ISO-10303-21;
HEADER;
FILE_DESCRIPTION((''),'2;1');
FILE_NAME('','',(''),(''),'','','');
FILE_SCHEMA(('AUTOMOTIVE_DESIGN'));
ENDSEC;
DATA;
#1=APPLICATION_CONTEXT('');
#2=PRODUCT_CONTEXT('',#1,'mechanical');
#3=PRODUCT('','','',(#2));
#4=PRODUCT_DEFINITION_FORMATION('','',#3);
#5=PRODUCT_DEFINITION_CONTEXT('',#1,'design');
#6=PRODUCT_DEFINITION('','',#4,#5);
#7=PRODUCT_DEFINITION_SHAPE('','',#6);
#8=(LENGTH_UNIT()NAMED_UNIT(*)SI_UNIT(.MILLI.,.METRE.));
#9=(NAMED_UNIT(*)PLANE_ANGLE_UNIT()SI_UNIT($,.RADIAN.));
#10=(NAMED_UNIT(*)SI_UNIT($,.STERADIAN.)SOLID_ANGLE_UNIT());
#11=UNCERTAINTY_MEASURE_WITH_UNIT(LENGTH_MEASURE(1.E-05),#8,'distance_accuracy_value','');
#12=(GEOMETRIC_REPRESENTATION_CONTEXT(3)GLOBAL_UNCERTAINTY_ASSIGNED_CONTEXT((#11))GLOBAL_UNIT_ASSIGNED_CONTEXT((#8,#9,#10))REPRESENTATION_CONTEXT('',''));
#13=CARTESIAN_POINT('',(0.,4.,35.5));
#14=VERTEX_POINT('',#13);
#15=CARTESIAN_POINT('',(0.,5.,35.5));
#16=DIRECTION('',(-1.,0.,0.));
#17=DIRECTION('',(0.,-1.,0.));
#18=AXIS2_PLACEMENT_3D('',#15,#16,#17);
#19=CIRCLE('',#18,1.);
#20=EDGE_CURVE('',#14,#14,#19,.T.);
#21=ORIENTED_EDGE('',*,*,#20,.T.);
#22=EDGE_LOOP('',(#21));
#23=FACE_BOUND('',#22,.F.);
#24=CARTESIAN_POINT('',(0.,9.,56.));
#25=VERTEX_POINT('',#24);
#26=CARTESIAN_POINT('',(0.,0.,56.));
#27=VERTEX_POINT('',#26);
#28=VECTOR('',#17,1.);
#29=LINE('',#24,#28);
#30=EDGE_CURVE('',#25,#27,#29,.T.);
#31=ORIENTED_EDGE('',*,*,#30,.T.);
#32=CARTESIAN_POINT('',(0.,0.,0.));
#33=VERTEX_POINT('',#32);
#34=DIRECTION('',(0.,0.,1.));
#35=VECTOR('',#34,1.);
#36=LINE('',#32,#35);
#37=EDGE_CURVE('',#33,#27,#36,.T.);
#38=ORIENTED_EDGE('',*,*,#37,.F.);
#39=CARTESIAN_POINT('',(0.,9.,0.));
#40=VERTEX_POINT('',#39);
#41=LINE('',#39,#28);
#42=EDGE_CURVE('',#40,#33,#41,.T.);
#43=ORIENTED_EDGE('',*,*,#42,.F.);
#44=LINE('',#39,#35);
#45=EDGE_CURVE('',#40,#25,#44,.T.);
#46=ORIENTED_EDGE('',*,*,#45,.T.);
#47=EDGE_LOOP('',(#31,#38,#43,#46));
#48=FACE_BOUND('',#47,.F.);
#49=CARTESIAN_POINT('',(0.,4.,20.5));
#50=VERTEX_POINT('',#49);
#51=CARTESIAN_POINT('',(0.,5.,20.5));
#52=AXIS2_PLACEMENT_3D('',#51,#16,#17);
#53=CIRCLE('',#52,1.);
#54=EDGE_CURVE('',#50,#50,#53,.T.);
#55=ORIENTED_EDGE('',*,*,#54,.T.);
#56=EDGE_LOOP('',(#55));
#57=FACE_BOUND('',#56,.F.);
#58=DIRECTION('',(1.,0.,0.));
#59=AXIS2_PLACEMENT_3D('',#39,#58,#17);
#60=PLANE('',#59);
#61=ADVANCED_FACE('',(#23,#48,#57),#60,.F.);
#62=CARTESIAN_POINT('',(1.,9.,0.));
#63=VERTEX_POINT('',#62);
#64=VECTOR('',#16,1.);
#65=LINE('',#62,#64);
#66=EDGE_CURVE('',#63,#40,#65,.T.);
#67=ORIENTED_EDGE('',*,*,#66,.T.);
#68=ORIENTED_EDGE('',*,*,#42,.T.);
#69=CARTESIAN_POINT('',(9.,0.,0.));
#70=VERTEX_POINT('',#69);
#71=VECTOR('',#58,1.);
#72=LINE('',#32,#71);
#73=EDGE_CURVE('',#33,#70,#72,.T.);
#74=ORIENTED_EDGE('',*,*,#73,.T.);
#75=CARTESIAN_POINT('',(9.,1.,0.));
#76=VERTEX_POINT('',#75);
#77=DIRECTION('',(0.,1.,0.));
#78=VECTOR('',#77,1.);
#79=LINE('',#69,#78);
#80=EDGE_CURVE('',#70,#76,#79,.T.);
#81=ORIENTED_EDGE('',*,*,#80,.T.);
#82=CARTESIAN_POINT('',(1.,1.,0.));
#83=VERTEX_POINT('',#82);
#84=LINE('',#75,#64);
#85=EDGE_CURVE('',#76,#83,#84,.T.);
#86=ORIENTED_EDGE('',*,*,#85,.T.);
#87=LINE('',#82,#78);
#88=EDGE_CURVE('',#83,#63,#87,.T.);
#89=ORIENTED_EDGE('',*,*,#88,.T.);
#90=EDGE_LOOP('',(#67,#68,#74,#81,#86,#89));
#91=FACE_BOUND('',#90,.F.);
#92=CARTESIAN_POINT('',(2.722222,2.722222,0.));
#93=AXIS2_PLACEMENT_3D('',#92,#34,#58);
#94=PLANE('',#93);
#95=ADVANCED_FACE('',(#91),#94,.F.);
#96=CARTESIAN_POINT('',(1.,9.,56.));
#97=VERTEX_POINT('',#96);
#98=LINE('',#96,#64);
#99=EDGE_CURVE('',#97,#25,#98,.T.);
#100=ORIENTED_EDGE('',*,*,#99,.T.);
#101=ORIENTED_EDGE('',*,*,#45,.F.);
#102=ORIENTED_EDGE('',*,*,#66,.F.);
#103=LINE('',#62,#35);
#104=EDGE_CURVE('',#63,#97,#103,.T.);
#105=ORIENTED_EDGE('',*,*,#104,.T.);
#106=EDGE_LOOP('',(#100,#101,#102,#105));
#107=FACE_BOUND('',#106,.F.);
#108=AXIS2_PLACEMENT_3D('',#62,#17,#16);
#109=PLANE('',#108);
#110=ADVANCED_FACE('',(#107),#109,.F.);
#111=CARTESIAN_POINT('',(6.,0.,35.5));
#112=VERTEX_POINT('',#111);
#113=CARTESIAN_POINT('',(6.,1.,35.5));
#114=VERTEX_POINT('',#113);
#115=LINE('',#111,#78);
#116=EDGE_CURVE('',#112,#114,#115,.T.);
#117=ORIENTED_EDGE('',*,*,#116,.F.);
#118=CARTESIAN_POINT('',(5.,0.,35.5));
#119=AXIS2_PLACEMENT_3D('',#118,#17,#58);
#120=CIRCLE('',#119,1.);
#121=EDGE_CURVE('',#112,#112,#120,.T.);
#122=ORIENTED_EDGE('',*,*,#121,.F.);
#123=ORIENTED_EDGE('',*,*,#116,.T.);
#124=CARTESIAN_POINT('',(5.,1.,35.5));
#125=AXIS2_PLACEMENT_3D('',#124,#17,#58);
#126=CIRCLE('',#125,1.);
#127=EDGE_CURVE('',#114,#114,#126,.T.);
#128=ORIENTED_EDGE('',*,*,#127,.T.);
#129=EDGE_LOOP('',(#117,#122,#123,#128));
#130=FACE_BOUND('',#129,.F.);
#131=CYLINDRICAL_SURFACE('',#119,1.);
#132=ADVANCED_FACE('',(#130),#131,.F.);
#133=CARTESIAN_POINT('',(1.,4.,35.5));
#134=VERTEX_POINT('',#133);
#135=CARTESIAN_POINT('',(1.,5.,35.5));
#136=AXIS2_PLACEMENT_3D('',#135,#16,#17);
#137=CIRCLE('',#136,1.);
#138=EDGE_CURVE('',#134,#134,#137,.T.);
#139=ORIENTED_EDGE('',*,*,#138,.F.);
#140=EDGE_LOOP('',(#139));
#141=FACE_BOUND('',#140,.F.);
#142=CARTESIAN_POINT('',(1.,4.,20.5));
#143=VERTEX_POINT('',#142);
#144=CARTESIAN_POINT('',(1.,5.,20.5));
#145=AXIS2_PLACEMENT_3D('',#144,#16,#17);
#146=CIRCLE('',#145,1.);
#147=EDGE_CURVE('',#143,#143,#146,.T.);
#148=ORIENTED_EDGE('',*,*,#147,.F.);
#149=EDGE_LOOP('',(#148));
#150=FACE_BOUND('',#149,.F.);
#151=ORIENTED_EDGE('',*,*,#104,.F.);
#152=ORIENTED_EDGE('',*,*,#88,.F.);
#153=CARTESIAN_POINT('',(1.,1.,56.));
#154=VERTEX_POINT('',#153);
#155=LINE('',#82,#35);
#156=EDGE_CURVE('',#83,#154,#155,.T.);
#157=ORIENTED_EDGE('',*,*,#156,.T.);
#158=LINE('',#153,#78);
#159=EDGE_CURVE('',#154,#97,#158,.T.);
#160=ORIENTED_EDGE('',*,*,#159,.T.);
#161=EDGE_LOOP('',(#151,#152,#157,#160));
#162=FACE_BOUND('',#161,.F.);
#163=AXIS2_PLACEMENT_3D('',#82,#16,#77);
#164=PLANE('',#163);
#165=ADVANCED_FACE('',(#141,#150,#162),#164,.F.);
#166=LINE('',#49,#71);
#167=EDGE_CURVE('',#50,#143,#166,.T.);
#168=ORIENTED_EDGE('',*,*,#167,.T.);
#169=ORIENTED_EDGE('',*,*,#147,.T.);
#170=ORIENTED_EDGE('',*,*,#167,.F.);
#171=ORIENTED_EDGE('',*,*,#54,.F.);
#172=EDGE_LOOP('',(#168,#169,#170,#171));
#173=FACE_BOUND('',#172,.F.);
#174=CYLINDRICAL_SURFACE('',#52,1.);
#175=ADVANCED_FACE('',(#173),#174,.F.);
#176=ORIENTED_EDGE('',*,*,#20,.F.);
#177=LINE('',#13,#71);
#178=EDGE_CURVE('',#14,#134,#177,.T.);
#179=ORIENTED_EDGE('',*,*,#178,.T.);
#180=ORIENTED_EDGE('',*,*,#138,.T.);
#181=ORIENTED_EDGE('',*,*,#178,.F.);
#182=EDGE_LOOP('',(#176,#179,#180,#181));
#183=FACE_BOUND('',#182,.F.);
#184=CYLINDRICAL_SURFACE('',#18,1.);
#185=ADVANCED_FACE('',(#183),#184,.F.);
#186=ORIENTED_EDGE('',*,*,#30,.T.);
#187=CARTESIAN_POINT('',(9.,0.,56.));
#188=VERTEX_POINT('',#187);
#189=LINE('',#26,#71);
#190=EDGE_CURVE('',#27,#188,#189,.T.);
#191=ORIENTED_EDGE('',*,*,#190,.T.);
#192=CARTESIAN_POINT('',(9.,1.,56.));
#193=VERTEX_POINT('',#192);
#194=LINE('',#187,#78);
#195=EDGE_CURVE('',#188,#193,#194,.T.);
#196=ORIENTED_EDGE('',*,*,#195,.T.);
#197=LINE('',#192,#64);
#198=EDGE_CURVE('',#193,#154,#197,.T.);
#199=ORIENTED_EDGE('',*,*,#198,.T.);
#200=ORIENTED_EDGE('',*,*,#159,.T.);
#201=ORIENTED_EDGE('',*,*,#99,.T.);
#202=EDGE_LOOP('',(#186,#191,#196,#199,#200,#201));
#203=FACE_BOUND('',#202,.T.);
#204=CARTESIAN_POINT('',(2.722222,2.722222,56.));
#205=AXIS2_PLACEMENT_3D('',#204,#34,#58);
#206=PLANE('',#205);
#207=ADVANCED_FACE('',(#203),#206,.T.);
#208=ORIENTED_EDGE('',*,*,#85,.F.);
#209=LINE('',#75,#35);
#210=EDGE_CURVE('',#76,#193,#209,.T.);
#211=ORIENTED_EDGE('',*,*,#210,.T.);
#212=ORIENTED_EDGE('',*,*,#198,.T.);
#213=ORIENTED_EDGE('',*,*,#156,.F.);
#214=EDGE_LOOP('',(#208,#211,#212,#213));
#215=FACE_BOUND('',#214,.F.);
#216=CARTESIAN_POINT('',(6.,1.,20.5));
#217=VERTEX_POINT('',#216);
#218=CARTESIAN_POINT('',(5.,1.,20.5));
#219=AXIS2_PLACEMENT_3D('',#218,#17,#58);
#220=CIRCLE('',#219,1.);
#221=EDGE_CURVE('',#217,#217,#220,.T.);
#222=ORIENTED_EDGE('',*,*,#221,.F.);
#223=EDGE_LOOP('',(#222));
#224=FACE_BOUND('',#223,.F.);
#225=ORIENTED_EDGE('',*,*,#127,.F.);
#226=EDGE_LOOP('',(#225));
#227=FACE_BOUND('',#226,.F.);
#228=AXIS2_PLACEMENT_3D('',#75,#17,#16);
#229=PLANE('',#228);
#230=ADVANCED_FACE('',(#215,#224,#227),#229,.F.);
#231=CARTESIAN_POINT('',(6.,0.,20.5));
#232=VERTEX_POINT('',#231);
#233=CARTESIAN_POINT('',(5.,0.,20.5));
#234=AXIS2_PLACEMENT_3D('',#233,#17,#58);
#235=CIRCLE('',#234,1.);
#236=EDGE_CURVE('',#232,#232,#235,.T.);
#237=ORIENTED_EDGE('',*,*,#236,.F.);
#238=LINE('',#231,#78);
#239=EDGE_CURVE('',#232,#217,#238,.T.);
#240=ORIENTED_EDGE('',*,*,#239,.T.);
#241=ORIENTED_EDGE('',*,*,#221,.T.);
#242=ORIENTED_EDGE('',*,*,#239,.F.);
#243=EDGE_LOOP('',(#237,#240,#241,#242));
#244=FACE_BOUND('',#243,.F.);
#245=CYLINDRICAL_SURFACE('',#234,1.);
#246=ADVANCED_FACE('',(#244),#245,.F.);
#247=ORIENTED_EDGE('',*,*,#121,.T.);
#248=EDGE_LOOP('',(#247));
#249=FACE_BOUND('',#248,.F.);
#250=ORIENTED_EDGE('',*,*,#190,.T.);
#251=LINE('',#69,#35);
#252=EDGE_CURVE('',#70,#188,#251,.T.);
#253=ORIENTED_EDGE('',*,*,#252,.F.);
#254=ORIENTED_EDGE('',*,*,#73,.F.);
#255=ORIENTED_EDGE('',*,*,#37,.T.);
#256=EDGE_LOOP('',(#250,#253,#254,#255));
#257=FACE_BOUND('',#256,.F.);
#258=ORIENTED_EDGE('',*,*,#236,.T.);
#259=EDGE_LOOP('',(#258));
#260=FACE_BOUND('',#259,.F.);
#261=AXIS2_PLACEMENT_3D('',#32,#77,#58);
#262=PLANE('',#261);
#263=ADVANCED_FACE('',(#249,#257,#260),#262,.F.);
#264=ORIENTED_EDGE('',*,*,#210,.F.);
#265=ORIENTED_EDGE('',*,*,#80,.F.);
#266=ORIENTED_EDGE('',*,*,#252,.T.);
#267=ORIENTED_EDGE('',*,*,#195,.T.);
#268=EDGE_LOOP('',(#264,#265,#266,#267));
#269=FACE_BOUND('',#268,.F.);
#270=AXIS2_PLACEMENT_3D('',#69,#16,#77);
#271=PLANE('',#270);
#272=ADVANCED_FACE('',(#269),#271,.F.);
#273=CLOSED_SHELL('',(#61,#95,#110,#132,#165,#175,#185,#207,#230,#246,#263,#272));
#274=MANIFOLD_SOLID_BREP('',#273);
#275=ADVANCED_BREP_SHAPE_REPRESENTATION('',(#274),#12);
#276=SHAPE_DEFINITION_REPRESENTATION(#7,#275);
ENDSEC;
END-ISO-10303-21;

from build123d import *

# Parameters (mm, degrees)
F1_DEPTH = 56
F2_R     = 1
F3_DEPTH = 1
F4_R     = 1
F5_DEPTH = 1


with BuildPart() as f1:
    # F0 (on Top) → F1 (new body)
    with BuildSketch(Plane.XY):
        Polygon((0, 9), (0, 0), (9, 0), (9, 1), (1, 1), (1, 9), align=None)
    extrude(amount=F1_DEPTH)

    # F2 (on face) → F3 (cut, through all)
    with BuildSketch(Plane.XZ):
        with Locations((5, 35.5)):
            Circle(F2_R)
        with Locations((5, 20.5)):
            Circle(F2_R)
    extrude(amount=-F3_DEPTH, mode=Mode.SUBTRACT)

    # F4 (on face) → F5 (cut, through all)
    with BuildSketch(Plane(origin=(0, 0, 0), x_dir=(0, -1, 0), z_dir=(-1, 0, 0))):
        with Locations((-5, 35.5)):
            Circle(F4_R)
        with Locations((-5, 20.5)):
            Circle(F4_R)
    extrude(amount=-F5_DEPTH, mode=Mode.SUBTRACT)


solid = f1.part
